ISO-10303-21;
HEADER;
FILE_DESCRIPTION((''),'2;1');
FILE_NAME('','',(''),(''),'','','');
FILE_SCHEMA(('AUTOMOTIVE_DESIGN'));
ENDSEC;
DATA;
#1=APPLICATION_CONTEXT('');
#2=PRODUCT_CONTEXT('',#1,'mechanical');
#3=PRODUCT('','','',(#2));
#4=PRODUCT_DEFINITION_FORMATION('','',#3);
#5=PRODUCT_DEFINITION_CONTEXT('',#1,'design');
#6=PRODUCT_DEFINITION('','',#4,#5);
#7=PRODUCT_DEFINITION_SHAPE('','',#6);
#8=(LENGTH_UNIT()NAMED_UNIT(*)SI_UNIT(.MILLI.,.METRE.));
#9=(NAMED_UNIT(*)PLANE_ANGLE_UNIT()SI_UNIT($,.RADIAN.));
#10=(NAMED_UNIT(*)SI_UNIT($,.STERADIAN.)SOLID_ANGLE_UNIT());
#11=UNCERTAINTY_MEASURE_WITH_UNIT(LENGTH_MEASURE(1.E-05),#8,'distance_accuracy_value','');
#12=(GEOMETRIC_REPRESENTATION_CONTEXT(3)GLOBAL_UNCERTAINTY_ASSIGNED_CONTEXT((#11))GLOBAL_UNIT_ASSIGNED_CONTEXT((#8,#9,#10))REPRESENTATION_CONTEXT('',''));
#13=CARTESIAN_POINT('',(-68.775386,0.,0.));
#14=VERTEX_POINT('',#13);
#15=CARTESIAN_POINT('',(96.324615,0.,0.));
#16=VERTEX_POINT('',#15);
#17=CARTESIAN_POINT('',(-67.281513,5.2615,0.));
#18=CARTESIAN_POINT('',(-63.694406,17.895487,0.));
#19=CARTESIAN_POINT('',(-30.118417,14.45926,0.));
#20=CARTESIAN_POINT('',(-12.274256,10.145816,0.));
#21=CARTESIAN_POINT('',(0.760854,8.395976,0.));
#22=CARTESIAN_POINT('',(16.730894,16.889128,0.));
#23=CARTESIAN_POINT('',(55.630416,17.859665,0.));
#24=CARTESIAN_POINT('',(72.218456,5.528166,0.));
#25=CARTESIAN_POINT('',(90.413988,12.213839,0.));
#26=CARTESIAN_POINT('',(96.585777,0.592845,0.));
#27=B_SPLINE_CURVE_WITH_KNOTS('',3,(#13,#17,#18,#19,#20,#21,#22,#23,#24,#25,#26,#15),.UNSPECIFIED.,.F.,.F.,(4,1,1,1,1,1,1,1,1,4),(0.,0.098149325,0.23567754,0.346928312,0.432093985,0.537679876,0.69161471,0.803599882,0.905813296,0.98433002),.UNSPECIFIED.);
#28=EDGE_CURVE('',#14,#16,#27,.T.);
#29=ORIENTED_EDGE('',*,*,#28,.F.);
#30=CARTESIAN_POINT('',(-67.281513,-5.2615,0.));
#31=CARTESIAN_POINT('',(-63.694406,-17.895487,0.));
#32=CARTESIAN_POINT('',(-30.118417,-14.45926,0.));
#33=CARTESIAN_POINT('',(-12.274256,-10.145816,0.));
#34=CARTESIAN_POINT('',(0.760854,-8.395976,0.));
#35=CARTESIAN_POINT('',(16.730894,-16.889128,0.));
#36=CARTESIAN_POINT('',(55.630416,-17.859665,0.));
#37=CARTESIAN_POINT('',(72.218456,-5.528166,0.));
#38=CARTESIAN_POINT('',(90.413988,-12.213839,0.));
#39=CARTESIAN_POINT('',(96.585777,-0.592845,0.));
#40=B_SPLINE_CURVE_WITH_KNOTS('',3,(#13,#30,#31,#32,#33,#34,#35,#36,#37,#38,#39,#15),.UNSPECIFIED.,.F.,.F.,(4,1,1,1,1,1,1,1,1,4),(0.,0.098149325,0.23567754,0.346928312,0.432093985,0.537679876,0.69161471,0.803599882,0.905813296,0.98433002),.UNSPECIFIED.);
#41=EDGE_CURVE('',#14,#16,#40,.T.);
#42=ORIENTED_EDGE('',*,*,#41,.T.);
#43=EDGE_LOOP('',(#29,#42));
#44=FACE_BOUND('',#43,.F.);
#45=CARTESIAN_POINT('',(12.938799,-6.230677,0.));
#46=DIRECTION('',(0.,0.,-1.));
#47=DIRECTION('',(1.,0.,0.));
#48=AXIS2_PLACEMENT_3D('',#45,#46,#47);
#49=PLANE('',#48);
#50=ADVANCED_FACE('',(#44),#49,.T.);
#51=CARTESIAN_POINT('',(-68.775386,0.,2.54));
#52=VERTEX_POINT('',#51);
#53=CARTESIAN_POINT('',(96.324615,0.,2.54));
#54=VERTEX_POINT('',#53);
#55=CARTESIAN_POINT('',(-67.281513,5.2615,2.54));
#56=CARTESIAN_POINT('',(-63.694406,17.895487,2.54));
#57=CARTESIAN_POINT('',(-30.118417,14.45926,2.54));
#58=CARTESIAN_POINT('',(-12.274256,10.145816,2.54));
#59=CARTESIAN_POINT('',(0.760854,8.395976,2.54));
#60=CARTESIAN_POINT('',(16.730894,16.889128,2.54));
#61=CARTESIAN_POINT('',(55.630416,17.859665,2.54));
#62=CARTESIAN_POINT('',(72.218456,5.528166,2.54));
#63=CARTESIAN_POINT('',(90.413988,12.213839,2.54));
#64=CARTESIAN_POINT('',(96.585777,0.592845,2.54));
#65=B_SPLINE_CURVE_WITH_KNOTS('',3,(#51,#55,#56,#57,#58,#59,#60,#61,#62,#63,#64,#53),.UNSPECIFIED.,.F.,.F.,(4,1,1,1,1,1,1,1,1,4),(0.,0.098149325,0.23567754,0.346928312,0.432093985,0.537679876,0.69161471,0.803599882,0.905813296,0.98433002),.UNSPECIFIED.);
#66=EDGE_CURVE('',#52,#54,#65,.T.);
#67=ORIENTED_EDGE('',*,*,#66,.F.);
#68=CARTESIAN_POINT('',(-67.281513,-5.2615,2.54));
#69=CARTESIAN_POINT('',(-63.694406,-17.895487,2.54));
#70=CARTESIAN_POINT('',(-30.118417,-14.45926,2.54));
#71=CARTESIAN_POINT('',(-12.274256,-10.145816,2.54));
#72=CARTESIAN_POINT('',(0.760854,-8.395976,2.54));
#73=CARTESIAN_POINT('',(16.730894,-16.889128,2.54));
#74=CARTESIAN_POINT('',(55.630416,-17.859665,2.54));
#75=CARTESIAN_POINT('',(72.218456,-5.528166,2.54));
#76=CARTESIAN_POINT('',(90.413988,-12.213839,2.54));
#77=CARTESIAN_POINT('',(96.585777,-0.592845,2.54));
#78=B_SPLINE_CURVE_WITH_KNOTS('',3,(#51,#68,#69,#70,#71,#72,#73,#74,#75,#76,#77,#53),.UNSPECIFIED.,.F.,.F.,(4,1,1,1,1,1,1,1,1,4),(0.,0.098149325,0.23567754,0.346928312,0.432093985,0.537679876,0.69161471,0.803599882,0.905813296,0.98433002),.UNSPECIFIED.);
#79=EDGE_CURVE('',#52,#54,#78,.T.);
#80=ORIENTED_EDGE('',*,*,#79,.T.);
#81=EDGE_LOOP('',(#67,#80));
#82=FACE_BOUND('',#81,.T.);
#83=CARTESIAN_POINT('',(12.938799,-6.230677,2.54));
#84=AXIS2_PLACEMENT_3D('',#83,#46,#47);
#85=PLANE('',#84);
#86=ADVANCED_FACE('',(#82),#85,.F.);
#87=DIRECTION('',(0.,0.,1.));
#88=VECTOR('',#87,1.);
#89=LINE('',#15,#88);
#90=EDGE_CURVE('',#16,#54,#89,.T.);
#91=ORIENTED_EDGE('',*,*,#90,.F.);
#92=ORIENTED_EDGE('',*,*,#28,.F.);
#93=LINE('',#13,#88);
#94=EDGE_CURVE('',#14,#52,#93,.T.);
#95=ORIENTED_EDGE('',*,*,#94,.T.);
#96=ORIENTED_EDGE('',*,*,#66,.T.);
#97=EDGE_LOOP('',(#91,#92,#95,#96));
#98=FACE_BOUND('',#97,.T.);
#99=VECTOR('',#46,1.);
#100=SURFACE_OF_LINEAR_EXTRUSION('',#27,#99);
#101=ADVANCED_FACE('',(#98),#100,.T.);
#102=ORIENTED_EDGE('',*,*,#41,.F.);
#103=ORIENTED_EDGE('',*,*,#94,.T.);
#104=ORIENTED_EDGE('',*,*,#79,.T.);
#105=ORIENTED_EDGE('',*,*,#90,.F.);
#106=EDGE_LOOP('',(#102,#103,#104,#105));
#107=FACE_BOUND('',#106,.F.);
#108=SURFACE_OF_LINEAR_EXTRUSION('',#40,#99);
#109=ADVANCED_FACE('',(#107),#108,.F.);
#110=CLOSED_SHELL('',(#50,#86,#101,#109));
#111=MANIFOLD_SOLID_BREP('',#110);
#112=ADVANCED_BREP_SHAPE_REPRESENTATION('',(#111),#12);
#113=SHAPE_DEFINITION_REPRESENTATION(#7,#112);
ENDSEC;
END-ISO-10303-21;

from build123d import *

# Parameters (mm, degrees)
F1_DEPTH = 2.54


with BuildPart() as f1:
    # F0 (on Top) → F1 (new body)
    with BuildSketch(Plane.XY):
        with BuildLine():
            add(Edge.make_bspline(
                [(-68.7753856182, 0), (-67.2815131465, 5.2614996116), (-63.6944055368, 17.8954865492), (-30.1184165099, 14.4592603541), (-12.2742564489, 10.1458156086), (0.760853565, 8.395976301), (16.730894182, 16.8891278707), (55.630415906, 17.8596654578), (72.2184559689, 5.5281661183), (90.413988205, 12.2138391639), (96.5857771369, 0.5928445142), (96.3246151805, 0)],
                knots=[0, 0, 0, 0, 0.0981493246, 0.2356775401, 0.3469283121, 0.4320939854, 0.537679876, 0.69161471, 0.8035998816, 0.905813296, 0.9843300203, 0.9843300203, 0.9843300203, 0.9843300203], degree=3))
            Line((-68.7753856182, 0), (95.9338545799, 0))
            Line((95.9338545799, 0), (96.3246151805, 0))
        make_face()
    extrude(amount=F1_DEPTH)

    # F2: F1 across plane


with BuildPart() as f1_1:
    add(f1.part)
    add(f1.part.mirror(Plane.XZ))


solid = f1_1.part
